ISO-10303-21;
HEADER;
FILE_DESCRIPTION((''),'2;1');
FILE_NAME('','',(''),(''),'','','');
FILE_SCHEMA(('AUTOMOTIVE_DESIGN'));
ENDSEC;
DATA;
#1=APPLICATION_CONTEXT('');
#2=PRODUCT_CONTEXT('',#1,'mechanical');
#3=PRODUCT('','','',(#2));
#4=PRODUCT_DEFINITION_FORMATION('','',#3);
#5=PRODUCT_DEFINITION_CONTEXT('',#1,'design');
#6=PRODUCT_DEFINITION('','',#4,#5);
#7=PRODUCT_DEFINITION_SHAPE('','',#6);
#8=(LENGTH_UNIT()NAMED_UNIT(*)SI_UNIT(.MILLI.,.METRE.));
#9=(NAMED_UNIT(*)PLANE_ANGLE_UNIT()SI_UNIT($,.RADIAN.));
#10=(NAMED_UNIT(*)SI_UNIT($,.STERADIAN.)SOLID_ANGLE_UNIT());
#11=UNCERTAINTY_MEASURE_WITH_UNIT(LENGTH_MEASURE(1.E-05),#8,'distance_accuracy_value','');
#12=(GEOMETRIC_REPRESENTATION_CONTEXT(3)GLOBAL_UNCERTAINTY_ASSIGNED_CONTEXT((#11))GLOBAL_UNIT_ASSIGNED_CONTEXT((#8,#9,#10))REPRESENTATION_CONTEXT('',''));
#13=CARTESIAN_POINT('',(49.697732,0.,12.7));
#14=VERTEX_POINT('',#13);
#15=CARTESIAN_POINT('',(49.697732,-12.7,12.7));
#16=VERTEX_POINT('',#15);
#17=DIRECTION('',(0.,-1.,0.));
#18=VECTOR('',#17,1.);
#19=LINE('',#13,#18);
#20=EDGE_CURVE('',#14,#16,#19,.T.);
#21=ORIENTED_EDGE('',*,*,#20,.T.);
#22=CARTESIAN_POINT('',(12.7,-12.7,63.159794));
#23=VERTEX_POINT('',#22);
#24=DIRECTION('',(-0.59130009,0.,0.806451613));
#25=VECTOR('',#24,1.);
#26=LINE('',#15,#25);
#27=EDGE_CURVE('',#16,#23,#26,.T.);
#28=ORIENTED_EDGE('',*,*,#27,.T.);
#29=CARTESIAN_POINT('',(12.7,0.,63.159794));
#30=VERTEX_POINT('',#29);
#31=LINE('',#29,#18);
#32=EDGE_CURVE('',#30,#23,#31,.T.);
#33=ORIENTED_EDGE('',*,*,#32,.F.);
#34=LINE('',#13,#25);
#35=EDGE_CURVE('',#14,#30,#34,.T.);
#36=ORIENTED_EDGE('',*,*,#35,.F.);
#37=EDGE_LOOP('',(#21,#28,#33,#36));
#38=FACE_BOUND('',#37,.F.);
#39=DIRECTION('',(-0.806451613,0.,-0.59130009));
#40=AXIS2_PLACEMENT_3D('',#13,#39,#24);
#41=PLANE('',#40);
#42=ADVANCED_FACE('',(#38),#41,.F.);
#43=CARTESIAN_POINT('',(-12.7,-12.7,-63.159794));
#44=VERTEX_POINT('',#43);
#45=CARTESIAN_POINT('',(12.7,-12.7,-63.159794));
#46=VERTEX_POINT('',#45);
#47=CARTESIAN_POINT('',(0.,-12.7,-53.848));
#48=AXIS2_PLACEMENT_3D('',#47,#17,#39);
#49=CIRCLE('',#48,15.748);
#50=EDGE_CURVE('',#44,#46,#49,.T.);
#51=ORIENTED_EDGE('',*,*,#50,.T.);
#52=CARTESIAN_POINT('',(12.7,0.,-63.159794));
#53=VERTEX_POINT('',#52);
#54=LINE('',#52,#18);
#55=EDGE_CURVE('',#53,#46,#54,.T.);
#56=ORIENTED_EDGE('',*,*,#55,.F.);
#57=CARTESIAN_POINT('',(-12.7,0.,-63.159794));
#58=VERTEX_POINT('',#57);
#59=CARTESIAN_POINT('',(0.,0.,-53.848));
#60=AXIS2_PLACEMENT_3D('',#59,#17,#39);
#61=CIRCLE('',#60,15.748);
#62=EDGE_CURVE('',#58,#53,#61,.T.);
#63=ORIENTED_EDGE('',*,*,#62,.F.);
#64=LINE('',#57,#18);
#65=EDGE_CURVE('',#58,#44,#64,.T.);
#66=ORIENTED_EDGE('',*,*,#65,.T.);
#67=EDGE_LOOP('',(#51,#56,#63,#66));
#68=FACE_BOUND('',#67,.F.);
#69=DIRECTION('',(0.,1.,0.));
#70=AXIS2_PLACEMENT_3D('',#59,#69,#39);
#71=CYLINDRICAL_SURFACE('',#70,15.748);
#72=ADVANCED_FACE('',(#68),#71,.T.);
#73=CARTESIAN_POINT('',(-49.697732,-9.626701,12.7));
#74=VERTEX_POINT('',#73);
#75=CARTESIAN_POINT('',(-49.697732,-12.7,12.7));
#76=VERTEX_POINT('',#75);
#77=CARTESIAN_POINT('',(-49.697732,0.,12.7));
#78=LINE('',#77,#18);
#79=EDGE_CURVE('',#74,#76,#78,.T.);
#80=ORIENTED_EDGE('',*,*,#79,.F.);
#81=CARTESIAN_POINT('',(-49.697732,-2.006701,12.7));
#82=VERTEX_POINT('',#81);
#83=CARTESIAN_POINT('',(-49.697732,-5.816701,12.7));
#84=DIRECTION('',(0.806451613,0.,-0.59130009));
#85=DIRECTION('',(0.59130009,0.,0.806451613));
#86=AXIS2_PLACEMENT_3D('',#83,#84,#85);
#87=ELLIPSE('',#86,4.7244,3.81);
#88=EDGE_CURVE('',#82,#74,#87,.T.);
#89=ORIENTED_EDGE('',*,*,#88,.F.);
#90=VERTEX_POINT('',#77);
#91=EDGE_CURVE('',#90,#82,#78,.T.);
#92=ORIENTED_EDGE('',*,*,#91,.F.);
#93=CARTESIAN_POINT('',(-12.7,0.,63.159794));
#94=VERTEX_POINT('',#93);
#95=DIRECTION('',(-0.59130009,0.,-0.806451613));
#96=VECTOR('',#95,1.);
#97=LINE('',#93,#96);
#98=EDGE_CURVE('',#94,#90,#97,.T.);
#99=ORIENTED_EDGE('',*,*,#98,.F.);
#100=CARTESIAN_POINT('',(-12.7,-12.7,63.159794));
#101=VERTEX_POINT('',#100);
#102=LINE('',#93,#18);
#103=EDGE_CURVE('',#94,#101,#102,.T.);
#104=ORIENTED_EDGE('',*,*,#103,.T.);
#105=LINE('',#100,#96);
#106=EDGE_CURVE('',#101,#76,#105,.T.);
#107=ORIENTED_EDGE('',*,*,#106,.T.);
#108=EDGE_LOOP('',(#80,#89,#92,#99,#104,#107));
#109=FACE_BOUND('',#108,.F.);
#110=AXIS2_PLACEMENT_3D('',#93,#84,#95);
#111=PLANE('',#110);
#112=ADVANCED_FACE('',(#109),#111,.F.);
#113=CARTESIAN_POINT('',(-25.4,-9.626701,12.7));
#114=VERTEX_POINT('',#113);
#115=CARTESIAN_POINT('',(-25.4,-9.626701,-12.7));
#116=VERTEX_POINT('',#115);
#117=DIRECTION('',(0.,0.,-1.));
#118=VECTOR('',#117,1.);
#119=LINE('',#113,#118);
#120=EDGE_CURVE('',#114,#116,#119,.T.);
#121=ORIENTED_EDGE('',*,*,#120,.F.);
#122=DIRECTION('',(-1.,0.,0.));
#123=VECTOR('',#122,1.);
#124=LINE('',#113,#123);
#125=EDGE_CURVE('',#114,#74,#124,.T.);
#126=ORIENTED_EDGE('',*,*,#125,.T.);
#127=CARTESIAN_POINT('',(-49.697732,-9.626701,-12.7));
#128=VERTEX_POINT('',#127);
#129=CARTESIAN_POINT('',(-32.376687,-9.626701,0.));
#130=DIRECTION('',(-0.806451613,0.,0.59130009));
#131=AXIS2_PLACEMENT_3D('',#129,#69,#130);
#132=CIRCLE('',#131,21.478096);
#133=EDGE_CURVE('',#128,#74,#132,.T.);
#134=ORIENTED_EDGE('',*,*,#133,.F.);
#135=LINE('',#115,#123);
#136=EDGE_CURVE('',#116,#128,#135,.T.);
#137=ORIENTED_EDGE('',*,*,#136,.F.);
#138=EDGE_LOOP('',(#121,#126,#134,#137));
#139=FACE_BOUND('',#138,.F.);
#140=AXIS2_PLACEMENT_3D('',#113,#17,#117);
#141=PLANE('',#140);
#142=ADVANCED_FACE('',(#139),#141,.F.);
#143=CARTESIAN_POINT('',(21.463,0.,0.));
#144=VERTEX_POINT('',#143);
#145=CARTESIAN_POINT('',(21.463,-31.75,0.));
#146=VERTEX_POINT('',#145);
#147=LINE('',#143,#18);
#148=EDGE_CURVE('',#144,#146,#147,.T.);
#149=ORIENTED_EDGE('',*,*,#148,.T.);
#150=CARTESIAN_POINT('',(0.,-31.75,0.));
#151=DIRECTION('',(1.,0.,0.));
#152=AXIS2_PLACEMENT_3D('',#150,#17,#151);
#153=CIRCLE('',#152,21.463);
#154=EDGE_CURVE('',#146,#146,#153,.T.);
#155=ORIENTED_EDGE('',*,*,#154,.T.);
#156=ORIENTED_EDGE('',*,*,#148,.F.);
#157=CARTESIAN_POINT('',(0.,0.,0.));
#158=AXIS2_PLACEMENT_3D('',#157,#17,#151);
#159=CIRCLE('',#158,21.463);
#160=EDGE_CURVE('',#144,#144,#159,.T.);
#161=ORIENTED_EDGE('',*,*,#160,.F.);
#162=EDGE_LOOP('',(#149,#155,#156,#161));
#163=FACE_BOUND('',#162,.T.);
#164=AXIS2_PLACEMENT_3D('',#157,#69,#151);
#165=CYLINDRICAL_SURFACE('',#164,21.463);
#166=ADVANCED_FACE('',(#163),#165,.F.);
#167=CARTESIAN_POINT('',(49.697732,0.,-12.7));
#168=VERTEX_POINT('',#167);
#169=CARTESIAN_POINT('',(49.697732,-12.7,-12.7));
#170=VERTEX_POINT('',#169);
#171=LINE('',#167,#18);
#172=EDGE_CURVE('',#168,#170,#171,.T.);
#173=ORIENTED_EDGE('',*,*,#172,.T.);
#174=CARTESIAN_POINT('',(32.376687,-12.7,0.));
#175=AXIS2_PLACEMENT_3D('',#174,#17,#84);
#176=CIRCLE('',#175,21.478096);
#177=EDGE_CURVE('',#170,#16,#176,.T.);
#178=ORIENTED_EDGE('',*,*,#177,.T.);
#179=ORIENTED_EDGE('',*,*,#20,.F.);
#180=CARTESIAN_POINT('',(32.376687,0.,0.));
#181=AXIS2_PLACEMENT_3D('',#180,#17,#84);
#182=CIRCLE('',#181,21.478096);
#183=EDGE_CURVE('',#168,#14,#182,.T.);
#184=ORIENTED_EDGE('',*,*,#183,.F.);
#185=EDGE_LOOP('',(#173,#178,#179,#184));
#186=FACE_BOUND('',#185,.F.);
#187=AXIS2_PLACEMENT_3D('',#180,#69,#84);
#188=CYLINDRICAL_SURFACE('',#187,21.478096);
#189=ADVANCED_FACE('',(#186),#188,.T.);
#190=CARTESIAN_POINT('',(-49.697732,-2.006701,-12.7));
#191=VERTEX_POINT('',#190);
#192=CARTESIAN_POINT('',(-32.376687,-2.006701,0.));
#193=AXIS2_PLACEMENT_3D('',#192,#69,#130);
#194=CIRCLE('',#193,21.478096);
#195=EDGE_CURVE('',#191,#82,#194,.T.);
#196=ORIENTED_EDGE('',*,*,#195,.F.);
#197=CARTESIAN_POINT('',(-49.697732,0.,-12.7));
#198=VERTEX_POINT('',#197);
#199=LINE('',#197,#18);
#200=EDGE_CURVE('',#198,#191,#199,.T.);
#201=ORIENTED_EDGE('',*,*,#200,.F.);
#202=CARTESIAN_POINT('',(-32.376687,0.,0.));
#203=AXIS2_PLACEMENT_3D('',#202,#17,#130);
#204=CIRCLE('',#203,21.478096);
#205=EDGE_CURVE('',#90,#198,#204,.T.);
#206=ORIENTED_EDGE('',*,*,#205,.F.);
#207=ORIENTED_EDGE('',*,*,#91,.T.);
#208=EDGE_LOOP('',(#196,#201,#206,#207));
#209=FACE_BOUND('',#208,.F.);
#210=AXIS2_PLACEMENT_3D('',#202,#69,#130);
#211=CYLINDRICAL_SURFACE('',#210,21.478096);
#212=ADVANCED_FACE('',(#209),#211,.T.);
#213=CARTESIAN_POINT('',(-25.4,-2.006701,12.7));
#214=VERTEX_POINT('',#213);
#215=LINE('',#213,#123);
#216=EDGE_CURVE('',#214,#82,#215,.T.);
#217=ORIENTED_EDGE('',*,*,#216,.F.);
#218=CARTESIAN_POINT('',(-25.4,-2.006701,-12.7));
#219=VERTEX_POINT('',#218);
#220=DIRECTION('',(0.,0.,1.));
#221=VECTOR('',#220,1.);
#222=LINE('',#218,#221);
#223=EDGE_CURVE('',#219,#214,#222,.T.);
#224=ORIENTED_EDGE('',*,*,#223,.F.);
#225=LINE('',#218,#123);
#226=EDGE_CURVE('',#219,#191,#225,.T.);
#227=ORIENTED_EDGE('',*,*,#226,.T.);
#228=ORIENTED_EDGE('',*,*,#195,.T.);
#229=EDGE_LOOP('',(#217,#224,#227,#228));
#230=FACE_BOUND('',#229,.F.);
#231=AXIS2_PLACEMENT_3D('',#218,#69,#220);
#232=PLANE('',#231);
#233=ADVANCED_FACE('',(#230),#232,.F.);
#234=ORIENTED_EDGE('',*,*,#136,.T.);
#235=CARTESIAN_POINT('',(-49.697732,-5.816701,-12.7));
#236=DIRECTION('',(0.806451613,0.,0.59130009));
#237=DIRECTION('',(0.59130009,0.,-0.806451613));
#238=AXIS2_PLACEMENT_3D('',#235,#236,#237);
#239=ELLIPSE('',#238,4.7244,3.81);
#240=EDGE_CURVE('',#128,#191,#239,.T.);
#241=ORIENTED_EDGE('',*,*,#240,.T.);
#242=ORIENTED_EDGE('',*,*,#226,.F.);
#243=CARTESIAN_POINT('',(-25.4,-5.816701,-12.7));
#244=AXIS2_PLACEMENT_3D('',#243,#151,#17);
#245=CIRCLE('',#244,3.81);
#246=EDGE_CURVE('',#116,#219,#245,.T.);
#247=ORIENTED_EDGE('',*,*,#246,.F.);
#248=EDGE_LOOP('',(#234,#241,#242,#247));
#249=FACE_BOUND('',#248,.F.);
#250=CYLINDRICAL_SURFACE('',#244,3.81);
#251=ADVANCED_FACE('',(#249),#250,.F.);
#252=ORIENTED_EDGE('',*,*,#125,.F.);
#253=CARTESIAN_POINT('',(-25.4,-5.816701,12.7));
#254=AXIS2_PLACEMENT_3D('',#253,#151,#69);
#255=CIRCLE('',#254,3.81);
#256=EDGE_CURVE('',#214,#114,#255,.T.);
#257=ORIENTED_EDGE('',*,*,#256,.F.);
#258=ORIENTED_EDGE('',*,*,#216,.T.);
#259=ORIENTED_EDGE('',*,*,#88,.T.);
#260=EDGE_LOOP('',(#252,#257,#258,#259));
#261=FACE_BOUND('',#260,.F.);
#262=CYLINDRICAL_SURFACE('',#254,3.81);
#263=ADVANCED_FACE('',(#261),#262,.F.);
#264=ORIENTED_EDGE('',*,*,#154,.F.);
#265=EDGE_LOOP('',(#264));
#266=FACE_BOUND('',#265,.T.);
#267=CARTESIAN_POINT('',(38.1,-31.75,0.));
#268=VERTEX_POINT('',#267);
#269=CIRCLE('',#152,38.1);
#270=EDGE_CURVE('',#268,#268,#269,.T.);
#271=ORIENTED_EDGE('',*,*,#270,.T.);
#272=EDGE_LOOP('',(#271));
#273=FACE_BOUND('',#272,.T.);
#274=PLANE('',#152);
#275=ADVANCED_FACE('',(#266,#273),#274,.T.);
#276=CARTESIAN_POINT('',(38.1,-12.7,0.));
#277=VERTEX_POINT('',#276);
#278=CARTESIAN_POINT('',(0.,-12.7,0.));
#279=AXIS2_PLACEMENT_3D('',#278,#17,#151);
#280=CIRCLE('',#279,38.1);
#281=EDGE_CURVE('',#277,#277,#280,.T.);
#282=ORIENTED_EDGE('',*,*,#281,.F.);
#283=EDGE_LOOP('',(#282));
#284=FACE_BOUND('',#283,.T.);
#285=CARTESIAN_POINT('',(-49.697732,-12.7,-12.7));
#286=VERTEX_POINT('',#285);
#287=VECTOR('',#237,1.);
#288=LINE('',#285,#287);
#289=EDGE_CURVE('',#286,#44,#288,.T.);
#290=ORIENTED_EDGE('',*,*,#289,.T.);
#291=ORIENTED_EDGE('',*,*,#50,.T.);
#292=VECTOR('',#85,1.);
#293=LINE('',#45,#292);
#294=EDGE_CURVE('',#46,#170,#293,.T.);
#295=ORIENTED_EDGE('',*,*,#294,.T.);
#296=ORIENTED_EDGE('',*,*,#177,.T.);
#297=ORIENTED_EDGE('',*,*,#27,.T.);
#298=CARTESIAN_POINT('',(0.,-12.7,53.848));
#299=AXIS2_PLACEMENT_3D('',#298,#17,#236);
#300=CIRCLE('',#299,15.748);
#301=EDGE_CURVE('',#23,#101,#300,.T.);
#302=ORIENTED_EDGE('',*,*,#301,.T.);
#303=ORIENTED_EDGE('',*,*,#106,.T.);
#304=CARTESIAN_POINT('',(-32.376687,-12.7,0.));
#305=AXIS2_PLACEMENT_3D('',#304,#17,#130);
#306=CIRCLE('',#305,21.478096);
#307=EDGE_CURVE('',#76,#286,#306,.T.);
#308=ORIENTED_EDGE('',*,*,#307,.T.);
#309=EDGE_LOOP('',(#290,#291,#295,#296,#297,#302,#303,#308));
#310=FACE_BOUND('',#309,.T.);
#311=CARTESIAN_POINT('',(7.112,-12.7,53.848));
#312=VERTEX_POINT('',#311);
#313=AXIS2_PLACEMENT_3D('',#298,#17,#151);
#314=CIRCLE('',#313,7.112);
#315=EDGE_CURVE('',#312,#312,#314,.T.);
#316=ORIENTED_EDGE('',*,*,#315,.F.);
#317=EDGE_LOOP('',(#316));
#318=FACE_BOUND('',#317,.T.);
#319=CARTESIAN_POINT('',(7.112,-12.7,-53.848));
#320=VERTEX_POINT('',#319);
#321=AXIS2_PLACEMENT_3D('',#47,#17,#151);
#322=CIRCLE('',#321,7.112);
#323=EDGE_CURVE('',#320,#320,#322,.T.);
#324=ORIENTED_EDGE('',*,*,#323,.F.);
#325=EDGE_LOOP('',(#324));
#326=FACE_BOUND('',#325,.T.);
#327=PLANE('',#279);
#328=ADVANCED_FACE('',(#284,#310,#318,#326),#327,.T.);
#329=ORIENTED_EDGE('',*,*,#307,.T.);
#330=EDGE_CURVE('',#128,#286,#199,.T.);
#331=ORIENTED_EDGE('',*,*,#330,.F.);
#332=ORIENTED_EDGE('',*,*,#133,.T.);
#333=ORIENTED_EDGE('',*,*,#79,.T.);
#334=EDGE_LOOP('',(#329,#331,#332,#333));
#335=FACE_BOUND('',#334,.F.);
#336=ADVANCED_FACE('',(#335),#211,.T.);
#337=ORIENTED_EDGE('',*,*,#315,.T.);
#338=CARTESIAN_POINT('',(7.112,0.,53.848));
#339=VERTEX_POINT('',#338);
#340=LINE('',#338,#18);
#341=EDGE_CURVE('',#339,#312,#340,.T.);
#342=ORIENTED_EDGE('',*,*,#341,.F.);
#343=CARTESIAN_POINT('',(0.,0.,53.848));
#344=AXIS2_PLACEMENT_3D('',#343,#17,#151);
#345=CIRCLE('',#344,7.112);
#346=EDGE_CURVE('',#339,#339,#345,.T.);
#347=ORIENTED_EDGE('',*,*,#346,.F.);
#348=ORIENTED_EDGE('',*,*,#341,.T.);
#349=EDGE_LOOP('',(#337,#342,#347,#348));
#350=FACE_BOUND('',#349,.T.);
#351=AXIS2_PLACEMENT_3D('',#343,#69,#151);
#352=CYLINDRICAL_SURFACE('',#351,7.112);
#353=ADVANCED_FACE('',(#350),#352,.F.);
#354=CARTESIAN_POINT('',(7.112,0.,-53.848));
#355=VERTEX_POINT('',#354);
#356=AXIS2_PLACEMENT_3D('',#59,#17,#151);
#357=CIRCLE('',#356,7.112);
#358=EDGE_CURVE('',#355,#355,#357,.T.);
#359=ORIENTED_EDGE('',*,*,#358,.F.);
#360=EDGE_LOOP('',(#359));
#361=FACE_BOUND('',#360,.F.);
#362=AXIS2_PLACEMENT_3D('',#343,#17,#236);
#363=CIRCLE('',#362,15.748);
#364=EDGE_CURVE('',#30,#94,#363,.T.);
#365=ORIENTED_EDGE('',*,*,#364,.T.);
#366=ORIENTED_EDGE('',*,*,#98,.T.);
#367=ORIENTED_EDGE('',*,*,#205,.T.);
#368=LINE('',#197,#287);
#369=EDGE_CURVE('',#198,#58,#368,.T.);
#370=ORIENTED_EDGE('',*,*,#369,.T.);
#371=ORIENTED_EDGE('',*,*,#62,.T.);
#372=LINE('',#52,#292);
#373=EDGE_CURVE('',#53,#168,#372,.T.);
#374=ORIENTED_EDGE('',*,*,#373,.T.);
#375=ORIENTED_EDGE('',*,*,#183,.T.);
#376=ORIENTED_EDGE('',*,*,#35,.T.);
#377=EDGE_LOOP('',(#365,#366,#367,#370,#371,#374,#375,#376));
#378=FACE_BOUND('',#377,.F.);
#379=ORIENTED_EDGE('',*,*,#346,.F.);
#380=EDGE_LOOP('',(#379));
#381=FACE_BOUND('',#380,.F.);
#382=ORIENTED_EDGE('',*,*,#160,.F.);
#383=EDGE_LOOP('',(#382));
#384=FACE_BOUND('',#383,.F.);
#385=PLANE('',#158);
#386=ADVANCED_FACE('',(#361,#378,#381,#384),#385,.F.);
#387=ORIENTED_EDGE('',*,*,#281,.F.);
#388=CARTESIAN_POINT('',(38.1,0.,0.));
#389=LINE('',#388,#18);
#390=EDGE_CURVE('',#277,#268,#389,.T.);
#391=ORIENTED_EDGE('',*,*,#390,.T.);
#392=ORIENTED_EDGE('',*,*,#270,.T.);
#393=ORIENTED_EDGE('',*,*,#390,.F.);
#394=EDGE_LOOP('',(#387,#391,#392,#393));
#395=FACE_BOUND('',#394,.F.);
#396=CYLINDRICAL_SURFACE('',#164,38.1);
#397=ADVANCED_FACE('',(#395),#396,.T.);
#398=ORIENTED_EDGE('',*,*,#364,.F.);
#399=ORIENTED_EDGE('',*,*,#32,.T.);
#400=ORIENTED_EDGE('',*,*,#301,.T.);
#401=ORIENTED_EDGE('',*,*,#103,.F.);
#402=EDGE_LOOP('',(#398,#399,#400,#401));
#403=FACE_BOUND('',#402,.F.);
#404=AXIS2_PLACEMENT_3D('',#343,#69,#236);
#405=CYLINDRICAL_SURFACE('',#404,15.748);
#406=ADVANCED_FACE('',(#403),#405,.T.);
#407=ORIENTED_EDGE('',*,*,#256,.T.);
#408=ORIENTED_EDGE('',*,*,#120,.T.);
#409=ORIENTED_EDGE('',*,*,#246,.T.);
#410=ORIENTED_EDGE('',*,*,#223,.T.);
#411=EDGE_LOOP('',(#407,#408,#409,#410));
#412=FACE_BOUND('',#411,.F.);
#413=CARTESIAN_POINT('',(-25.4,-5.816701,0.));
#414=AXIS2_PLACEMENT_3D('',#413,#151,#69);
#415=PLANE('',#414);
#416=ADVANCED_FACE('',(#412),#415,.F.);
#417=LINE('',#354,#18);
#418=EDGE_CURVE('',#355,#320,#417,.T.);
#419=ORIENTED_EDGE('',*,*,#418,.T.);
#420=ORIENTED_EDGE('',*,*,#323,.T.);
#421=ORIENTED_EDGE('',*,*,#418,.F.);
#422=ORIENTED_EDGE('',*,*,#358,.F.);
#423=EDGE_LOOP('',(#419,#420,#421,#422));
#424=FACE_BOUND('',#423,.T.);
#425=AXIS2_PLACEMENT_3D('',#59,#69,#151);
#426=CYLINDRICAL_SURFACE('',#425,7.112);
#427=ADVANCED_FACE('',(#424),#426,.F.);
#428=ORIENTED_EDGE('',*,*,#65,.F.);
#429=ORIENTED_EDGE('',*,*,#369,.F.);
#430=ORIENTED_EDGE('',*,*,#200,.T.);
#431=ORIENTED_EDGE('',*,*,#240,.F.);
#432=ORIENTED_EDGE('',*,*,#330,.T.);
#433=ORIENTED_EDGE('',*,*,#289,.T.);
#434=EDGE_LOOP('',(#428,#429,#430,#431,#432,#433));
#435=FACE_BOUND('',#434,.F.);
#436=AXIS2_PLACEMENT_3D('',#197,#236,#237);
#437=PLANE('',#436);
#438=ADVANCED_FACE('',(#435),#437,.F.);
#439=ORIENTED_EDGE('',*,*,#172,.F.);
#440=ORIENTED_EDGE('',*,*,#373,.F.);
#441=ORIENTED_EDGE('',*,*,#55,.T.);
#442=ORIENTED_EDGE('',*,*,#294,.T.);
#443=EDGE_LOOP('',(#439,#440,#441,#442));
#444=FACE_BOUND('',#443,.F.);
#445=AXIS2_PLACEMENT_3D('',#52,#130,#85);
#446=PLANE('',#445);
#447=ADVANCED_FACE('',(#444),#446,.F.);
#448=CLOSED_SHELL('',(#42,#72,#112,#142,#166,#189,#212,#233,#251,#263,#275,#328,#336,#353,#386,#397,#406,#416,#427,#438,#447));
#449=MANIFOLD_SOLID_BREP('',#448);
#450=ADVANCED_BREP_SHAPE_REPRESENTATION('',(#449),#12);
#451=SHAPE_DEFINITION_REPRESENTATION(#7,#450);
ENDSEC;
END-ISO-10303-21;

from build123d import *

# Parameters (mm, degrees)
F0_R     = 7.112
F0_R_2   = 38.1
F1_DEPTH = 12.7
F0_R_3   = 21.463
F2_DEPTH = 31.75
F4_START = -25.4
F4_DEPTH = 31.75


with BuildPart() as f1:
    # F0 (on Front) → F1 (new body)
    with BuildSketch(Plane.XZ):
        with BuildLine():
            ThreePointArc((12.7, 63.1597938122), (0, 69.596), (-12.7, 63.1597938122))
            Line((-12.7, 63.1597938122), (-49.6977319514, 12.7))
            ThreePointArc((-49.6977319514, 12.7), (-53.8547827604, 0), (-49.6977319514, -12.7))
            Line((-49.6977319514, -12.7), (-12.7, -63.1597938122))
            ThreePointArc((-12.7, -63.1597938122), (0, -69.596), (12.7, -63.1597938122))
            Line((12.7, -63.1597938122), (49.6977319514, -12.7))
            ThreePointArc((49.6977319514, -12.7), (53.8547827604, 0), (49.6977319514, 12.7))
            Line((49.6977319514, 12.7), (12.7, 63.1597938122))
        make_face()
        with Locations((0, -53.848)):
            Circle(F0_R, mode=Mode.SUBTRACT)
        Circle(F0_R_2, mode=Mode.SUBTRACT)
        with Locations((0, 53.848)):
            Circle(F0_R, mode=Mode.SUBTRACT)
    extrude(amount=F1_DEPTH)

    # F0 (on Front) → F2 (join)
    with BuildSketch(Plane.XZ):
        Circle(F0_R_2)
        Circle(F0_R_3, mode=Mode.SUBTRACT)
    extrude(amount=F2_DEPTH)

    # F3 (on Right) → F4 (cut)
    with BuildSketch(Plane.YZ.offset(F4_START)):
        with BuildLine():
            Line((-2.0067014742, -12.7), (-2.0067014742, 12.7))
            ThreePointArc((-2.0067014742, 12.7), (-5.8167014742, 16.51), (-9.6267014742, 12.7))
            Line((-9.6267014742, 12.7), (-9.6267014742, -12.7))
            ThreePointArc((-9.6267014742, -12.7), (-5.8167014742, -16.51), (-2.0067014742, -12.7))
        make_face()
    extrude(amount=-F4_DEPTH, mode=Mode.SUBTRACT)


solid = f1.part
